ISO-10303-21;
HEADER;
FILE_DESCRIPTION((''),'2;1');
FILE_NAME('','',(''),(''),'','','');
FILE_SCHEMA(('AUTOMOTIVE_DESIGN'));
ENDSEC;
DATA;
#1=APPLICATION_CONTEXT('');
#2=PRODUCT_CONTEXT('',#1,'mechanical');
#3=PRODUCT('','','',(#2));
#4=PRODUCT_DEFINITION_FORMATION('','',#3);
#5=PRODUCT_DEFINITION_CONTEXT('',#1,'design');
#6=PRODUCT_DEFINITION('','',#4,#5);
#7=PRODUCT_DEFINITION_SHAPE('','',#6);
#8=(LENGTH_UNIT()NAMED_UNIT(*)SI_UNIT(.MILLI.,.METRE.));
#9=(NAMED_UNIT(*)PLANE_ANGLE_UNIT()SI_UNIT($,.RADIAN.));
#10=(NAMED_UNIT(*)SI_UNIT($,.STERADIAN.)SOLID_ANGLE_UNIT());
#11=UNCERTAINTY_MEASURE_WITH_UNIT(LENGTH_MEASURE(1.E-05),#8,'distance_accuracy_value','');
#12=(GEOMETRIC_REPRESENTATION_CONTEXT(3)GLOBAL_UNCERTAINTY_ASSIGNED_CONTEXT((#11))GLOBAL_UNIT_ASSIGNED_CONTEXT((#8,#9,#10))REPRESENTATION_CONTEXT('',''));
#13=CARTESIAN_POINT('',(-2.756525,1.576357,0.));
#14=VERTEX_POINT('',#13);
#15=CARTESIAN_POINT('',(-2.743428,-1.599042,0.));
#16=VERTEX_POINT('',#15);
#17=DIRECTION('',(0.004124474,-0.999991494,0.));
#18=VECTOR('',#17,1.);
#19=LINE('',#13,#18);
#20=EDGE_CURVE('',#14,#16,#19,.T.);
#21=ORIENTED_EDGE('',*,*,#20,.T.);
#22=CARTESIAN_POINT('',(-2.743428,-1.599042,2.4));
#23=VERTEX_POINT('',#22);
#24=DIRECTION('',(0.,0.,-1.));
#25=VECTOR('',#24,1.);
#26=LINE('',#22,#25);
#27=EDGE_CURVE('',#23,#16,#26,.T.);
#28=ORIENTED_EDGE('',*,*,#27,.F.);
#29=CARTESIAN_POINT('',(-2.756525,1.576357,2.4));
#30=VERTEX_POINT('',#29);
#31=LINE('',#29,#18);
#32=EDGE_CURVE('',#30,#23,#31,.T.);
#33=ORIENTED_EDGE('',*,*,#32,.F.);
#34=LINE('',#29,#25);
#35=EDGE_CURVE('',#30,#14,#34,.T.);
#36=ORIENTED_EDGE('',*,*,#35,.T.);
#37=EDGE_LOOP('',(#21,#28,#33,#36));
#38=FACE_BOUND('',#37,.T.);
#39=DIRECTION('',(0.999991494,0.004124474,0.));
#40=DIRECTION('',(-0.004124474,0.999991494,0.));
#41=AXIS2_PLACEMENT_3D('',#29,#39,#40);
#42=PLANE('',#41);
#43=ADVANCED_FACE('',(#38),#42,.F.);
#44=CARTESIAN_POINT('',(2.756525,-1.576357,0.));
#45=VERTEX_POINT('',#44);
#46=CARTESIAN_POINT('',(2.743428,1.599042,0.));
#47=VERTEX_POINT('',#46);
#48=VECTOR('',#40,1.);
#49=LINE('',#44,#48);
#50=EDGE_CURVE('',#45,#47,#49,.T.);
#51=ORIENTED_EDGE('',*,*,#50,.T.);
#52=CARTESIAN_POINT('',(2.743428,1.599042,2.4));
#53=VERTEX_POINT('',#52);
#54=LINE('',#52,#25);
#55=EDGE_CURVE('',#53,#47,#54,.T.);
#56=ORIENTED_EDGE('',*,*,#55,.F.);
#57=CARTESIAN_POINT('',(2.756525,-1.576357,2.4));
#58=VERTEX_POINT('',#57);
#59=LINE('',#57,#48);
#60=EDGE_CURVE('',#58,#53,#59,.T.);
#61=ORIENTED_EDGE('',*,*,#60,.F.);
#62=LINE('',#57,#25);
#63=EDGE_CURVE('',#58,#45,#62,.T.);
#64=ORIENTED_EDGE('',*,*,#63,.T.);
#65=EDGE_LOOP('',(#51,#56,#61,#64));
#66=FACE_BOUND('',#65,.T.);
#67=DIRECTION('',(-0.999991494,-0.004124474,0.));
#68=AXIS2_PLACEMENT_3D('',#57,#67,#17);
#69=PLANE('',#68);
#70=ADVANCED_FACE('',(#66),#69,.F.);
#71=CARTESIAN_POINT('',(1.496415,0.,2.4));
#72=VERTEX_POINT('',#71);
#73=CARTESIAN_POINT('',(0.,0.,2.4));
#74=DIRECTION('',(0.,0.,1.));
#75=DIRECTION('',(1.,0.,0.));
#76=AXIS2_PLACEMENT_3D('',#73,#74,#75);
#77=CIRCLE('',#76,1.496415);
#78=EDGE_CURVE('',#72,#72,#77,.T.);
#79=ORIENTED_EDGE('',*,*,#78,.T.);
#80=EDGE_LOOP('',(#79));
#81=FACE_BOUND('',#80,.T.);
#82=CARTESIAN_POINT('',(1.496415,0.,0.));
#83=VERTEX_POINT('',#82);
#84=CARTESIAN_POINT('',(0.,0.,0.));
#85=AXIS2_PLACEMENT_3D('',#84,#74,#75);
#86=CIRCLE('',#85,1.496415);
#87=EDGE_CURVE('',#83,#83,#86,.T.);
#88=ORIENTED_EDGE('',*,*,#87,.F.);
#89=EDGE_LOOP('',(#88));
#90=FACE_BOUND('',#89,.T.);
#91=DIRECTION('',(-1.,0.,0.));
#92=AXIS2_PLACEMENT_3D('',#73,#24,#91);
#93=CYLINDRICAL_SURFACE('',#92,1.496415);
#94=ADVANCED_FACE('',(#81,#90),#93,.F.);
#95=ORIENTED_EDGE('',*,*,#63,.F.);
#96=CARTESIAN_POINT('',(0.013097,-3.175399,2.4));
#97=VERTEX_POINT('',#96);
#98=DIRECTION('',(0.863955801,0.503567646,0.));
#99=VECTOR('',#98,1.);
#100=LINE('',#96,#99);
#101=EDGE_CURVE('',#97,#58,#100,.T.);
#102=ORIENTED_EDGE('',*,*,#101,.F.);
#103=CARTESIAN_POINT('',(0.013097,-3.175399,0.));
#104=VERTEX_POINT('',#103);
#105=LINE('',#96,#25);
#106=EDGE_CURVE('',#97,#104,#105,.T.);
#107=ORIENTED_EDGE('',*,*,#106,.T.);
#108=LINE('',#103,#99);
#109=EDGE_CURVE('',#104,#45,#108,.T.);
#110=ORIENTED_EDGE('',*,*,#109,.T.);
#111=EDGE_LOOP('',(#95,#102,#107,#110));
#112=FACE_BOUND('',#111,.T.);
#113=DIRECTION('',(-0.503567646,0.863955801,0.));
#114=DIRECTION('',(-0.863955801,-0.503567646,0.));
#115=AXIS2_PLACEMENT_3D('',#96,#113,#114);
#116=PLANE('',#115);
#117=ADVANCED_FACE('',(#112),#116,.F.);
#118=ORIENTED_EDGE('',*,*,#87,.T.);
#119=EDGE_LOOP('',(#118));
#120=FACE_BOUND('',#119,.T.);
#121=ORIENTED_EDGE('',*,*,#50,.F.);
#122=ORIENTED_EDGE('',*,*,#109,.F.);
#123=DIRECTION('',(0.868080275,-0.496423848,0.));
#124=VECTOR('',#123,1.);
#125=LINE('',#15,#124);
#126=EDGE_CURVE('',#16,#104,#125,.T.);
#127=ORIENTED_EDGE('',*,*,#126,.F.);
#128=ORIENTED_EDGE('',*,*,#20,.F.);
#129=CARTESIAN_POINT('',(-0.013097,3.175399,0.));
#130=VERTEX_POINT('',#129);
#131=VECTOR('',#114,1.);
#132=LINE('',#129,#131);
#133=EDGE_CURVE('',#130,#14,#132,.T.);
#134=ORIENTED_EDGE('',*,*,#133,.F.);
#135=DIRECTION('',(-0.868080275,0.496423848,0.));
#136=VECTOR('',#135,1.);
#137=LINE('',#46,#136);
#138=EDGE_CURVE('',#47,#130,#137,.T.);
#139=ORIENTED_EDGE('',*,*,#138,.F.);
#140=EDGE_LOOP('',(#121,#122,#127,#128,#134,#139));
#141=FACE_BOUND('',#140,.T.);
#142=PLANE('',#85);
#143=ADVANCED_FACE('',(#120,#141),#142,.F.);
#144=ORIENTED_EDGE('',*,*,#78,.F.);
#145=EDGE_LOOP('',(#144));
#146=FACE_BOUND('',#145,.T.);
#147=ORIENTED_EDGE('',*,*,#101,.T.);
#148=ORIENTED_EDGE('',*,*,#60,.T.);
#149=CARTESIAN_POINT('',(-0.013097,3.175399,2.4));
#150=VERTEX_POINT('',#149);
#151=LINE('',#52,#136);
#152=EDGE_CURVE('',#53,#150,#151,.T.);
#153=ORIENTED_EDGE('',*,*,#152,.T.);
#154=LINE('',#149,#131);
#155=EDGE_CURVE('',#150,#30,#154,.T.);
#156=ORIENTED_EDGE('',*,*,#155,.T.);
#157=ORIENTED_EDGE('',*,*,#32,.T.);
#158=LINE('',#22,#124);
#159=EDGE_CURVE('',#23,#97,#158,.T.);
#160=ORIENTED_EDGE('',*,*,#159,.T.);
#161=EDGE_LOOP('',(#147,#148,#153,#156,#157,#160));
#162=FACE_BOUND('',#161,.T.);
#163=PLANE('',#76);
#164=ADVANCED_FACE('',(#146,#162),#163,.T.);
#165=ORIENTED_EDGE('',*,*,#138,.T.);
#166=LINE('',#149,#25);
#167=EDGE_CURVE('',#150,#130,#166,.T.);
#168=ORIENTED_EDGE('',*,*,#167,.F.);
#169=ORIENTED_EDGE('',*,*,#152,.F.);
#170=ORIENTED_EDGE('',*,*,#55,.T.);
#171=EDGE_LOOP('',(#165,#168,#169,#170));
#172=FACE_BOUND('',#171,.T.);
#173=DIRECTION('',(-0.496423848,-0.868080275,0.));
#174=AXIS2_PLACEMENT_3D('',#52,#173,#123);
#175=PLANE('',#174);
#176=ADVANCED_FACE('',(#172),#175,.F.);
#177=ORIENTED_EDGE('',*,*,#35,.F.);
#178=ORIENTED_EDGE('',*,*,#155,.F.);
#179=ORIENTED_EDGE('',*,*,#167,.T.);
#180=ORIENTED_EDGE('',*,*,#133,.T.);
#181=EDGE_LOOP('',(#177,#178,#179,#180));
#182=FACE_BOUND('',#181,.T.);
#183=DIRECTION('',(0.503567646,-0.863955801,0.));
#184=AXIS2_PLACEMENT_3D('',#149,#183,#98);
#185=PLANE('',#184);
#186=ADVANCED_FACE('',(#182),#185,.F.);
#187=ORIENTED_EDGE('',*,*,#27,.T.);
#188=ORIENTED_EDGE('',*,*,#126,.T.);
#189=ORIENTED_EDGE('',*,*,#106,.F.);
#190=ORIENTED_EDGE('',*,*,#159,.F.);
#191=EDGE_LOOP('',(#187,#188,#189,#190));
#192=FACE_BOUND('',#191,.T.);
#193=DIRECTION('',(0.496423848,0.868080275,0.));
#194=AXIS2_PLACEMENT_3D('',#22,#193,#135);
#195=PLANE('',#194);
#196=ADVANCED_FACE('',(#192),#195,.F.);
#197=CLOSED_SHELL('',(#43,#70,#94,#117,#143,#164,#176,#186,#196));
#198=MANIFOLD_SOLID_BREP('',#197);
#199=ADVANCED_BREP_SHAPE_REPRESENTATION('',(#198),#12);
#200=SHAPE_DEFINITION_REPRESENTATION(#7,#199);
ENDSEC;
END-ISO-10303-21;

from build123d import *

# Parameters (mm, degrees)
SZKIC1_R                    = 1.496415342
DODANIE_WYCI_GNI_CIE1_DEPTH = 2.4


with BuildPart() as part:
    # Szkic1 → Dodanie-wyciągnięcie1 (new body)
    with BuildSketch(Plane.XY):
        Polygon((2.743428127, 1.599042039), (-0.013096964, 3.175399471), (-2.756525091, 1.576357432), (-2.743428127, -1.599042039), (0.013096964, -3.175399471), (2.756525091, -1.576357432), align=None)
        Circle(SZKIC1_R, mode=Mode.SUBTRACT)
    extrude(amount=DODANIE_WYCI_GNI_CIE1_DEPTH)


solid = part.part
